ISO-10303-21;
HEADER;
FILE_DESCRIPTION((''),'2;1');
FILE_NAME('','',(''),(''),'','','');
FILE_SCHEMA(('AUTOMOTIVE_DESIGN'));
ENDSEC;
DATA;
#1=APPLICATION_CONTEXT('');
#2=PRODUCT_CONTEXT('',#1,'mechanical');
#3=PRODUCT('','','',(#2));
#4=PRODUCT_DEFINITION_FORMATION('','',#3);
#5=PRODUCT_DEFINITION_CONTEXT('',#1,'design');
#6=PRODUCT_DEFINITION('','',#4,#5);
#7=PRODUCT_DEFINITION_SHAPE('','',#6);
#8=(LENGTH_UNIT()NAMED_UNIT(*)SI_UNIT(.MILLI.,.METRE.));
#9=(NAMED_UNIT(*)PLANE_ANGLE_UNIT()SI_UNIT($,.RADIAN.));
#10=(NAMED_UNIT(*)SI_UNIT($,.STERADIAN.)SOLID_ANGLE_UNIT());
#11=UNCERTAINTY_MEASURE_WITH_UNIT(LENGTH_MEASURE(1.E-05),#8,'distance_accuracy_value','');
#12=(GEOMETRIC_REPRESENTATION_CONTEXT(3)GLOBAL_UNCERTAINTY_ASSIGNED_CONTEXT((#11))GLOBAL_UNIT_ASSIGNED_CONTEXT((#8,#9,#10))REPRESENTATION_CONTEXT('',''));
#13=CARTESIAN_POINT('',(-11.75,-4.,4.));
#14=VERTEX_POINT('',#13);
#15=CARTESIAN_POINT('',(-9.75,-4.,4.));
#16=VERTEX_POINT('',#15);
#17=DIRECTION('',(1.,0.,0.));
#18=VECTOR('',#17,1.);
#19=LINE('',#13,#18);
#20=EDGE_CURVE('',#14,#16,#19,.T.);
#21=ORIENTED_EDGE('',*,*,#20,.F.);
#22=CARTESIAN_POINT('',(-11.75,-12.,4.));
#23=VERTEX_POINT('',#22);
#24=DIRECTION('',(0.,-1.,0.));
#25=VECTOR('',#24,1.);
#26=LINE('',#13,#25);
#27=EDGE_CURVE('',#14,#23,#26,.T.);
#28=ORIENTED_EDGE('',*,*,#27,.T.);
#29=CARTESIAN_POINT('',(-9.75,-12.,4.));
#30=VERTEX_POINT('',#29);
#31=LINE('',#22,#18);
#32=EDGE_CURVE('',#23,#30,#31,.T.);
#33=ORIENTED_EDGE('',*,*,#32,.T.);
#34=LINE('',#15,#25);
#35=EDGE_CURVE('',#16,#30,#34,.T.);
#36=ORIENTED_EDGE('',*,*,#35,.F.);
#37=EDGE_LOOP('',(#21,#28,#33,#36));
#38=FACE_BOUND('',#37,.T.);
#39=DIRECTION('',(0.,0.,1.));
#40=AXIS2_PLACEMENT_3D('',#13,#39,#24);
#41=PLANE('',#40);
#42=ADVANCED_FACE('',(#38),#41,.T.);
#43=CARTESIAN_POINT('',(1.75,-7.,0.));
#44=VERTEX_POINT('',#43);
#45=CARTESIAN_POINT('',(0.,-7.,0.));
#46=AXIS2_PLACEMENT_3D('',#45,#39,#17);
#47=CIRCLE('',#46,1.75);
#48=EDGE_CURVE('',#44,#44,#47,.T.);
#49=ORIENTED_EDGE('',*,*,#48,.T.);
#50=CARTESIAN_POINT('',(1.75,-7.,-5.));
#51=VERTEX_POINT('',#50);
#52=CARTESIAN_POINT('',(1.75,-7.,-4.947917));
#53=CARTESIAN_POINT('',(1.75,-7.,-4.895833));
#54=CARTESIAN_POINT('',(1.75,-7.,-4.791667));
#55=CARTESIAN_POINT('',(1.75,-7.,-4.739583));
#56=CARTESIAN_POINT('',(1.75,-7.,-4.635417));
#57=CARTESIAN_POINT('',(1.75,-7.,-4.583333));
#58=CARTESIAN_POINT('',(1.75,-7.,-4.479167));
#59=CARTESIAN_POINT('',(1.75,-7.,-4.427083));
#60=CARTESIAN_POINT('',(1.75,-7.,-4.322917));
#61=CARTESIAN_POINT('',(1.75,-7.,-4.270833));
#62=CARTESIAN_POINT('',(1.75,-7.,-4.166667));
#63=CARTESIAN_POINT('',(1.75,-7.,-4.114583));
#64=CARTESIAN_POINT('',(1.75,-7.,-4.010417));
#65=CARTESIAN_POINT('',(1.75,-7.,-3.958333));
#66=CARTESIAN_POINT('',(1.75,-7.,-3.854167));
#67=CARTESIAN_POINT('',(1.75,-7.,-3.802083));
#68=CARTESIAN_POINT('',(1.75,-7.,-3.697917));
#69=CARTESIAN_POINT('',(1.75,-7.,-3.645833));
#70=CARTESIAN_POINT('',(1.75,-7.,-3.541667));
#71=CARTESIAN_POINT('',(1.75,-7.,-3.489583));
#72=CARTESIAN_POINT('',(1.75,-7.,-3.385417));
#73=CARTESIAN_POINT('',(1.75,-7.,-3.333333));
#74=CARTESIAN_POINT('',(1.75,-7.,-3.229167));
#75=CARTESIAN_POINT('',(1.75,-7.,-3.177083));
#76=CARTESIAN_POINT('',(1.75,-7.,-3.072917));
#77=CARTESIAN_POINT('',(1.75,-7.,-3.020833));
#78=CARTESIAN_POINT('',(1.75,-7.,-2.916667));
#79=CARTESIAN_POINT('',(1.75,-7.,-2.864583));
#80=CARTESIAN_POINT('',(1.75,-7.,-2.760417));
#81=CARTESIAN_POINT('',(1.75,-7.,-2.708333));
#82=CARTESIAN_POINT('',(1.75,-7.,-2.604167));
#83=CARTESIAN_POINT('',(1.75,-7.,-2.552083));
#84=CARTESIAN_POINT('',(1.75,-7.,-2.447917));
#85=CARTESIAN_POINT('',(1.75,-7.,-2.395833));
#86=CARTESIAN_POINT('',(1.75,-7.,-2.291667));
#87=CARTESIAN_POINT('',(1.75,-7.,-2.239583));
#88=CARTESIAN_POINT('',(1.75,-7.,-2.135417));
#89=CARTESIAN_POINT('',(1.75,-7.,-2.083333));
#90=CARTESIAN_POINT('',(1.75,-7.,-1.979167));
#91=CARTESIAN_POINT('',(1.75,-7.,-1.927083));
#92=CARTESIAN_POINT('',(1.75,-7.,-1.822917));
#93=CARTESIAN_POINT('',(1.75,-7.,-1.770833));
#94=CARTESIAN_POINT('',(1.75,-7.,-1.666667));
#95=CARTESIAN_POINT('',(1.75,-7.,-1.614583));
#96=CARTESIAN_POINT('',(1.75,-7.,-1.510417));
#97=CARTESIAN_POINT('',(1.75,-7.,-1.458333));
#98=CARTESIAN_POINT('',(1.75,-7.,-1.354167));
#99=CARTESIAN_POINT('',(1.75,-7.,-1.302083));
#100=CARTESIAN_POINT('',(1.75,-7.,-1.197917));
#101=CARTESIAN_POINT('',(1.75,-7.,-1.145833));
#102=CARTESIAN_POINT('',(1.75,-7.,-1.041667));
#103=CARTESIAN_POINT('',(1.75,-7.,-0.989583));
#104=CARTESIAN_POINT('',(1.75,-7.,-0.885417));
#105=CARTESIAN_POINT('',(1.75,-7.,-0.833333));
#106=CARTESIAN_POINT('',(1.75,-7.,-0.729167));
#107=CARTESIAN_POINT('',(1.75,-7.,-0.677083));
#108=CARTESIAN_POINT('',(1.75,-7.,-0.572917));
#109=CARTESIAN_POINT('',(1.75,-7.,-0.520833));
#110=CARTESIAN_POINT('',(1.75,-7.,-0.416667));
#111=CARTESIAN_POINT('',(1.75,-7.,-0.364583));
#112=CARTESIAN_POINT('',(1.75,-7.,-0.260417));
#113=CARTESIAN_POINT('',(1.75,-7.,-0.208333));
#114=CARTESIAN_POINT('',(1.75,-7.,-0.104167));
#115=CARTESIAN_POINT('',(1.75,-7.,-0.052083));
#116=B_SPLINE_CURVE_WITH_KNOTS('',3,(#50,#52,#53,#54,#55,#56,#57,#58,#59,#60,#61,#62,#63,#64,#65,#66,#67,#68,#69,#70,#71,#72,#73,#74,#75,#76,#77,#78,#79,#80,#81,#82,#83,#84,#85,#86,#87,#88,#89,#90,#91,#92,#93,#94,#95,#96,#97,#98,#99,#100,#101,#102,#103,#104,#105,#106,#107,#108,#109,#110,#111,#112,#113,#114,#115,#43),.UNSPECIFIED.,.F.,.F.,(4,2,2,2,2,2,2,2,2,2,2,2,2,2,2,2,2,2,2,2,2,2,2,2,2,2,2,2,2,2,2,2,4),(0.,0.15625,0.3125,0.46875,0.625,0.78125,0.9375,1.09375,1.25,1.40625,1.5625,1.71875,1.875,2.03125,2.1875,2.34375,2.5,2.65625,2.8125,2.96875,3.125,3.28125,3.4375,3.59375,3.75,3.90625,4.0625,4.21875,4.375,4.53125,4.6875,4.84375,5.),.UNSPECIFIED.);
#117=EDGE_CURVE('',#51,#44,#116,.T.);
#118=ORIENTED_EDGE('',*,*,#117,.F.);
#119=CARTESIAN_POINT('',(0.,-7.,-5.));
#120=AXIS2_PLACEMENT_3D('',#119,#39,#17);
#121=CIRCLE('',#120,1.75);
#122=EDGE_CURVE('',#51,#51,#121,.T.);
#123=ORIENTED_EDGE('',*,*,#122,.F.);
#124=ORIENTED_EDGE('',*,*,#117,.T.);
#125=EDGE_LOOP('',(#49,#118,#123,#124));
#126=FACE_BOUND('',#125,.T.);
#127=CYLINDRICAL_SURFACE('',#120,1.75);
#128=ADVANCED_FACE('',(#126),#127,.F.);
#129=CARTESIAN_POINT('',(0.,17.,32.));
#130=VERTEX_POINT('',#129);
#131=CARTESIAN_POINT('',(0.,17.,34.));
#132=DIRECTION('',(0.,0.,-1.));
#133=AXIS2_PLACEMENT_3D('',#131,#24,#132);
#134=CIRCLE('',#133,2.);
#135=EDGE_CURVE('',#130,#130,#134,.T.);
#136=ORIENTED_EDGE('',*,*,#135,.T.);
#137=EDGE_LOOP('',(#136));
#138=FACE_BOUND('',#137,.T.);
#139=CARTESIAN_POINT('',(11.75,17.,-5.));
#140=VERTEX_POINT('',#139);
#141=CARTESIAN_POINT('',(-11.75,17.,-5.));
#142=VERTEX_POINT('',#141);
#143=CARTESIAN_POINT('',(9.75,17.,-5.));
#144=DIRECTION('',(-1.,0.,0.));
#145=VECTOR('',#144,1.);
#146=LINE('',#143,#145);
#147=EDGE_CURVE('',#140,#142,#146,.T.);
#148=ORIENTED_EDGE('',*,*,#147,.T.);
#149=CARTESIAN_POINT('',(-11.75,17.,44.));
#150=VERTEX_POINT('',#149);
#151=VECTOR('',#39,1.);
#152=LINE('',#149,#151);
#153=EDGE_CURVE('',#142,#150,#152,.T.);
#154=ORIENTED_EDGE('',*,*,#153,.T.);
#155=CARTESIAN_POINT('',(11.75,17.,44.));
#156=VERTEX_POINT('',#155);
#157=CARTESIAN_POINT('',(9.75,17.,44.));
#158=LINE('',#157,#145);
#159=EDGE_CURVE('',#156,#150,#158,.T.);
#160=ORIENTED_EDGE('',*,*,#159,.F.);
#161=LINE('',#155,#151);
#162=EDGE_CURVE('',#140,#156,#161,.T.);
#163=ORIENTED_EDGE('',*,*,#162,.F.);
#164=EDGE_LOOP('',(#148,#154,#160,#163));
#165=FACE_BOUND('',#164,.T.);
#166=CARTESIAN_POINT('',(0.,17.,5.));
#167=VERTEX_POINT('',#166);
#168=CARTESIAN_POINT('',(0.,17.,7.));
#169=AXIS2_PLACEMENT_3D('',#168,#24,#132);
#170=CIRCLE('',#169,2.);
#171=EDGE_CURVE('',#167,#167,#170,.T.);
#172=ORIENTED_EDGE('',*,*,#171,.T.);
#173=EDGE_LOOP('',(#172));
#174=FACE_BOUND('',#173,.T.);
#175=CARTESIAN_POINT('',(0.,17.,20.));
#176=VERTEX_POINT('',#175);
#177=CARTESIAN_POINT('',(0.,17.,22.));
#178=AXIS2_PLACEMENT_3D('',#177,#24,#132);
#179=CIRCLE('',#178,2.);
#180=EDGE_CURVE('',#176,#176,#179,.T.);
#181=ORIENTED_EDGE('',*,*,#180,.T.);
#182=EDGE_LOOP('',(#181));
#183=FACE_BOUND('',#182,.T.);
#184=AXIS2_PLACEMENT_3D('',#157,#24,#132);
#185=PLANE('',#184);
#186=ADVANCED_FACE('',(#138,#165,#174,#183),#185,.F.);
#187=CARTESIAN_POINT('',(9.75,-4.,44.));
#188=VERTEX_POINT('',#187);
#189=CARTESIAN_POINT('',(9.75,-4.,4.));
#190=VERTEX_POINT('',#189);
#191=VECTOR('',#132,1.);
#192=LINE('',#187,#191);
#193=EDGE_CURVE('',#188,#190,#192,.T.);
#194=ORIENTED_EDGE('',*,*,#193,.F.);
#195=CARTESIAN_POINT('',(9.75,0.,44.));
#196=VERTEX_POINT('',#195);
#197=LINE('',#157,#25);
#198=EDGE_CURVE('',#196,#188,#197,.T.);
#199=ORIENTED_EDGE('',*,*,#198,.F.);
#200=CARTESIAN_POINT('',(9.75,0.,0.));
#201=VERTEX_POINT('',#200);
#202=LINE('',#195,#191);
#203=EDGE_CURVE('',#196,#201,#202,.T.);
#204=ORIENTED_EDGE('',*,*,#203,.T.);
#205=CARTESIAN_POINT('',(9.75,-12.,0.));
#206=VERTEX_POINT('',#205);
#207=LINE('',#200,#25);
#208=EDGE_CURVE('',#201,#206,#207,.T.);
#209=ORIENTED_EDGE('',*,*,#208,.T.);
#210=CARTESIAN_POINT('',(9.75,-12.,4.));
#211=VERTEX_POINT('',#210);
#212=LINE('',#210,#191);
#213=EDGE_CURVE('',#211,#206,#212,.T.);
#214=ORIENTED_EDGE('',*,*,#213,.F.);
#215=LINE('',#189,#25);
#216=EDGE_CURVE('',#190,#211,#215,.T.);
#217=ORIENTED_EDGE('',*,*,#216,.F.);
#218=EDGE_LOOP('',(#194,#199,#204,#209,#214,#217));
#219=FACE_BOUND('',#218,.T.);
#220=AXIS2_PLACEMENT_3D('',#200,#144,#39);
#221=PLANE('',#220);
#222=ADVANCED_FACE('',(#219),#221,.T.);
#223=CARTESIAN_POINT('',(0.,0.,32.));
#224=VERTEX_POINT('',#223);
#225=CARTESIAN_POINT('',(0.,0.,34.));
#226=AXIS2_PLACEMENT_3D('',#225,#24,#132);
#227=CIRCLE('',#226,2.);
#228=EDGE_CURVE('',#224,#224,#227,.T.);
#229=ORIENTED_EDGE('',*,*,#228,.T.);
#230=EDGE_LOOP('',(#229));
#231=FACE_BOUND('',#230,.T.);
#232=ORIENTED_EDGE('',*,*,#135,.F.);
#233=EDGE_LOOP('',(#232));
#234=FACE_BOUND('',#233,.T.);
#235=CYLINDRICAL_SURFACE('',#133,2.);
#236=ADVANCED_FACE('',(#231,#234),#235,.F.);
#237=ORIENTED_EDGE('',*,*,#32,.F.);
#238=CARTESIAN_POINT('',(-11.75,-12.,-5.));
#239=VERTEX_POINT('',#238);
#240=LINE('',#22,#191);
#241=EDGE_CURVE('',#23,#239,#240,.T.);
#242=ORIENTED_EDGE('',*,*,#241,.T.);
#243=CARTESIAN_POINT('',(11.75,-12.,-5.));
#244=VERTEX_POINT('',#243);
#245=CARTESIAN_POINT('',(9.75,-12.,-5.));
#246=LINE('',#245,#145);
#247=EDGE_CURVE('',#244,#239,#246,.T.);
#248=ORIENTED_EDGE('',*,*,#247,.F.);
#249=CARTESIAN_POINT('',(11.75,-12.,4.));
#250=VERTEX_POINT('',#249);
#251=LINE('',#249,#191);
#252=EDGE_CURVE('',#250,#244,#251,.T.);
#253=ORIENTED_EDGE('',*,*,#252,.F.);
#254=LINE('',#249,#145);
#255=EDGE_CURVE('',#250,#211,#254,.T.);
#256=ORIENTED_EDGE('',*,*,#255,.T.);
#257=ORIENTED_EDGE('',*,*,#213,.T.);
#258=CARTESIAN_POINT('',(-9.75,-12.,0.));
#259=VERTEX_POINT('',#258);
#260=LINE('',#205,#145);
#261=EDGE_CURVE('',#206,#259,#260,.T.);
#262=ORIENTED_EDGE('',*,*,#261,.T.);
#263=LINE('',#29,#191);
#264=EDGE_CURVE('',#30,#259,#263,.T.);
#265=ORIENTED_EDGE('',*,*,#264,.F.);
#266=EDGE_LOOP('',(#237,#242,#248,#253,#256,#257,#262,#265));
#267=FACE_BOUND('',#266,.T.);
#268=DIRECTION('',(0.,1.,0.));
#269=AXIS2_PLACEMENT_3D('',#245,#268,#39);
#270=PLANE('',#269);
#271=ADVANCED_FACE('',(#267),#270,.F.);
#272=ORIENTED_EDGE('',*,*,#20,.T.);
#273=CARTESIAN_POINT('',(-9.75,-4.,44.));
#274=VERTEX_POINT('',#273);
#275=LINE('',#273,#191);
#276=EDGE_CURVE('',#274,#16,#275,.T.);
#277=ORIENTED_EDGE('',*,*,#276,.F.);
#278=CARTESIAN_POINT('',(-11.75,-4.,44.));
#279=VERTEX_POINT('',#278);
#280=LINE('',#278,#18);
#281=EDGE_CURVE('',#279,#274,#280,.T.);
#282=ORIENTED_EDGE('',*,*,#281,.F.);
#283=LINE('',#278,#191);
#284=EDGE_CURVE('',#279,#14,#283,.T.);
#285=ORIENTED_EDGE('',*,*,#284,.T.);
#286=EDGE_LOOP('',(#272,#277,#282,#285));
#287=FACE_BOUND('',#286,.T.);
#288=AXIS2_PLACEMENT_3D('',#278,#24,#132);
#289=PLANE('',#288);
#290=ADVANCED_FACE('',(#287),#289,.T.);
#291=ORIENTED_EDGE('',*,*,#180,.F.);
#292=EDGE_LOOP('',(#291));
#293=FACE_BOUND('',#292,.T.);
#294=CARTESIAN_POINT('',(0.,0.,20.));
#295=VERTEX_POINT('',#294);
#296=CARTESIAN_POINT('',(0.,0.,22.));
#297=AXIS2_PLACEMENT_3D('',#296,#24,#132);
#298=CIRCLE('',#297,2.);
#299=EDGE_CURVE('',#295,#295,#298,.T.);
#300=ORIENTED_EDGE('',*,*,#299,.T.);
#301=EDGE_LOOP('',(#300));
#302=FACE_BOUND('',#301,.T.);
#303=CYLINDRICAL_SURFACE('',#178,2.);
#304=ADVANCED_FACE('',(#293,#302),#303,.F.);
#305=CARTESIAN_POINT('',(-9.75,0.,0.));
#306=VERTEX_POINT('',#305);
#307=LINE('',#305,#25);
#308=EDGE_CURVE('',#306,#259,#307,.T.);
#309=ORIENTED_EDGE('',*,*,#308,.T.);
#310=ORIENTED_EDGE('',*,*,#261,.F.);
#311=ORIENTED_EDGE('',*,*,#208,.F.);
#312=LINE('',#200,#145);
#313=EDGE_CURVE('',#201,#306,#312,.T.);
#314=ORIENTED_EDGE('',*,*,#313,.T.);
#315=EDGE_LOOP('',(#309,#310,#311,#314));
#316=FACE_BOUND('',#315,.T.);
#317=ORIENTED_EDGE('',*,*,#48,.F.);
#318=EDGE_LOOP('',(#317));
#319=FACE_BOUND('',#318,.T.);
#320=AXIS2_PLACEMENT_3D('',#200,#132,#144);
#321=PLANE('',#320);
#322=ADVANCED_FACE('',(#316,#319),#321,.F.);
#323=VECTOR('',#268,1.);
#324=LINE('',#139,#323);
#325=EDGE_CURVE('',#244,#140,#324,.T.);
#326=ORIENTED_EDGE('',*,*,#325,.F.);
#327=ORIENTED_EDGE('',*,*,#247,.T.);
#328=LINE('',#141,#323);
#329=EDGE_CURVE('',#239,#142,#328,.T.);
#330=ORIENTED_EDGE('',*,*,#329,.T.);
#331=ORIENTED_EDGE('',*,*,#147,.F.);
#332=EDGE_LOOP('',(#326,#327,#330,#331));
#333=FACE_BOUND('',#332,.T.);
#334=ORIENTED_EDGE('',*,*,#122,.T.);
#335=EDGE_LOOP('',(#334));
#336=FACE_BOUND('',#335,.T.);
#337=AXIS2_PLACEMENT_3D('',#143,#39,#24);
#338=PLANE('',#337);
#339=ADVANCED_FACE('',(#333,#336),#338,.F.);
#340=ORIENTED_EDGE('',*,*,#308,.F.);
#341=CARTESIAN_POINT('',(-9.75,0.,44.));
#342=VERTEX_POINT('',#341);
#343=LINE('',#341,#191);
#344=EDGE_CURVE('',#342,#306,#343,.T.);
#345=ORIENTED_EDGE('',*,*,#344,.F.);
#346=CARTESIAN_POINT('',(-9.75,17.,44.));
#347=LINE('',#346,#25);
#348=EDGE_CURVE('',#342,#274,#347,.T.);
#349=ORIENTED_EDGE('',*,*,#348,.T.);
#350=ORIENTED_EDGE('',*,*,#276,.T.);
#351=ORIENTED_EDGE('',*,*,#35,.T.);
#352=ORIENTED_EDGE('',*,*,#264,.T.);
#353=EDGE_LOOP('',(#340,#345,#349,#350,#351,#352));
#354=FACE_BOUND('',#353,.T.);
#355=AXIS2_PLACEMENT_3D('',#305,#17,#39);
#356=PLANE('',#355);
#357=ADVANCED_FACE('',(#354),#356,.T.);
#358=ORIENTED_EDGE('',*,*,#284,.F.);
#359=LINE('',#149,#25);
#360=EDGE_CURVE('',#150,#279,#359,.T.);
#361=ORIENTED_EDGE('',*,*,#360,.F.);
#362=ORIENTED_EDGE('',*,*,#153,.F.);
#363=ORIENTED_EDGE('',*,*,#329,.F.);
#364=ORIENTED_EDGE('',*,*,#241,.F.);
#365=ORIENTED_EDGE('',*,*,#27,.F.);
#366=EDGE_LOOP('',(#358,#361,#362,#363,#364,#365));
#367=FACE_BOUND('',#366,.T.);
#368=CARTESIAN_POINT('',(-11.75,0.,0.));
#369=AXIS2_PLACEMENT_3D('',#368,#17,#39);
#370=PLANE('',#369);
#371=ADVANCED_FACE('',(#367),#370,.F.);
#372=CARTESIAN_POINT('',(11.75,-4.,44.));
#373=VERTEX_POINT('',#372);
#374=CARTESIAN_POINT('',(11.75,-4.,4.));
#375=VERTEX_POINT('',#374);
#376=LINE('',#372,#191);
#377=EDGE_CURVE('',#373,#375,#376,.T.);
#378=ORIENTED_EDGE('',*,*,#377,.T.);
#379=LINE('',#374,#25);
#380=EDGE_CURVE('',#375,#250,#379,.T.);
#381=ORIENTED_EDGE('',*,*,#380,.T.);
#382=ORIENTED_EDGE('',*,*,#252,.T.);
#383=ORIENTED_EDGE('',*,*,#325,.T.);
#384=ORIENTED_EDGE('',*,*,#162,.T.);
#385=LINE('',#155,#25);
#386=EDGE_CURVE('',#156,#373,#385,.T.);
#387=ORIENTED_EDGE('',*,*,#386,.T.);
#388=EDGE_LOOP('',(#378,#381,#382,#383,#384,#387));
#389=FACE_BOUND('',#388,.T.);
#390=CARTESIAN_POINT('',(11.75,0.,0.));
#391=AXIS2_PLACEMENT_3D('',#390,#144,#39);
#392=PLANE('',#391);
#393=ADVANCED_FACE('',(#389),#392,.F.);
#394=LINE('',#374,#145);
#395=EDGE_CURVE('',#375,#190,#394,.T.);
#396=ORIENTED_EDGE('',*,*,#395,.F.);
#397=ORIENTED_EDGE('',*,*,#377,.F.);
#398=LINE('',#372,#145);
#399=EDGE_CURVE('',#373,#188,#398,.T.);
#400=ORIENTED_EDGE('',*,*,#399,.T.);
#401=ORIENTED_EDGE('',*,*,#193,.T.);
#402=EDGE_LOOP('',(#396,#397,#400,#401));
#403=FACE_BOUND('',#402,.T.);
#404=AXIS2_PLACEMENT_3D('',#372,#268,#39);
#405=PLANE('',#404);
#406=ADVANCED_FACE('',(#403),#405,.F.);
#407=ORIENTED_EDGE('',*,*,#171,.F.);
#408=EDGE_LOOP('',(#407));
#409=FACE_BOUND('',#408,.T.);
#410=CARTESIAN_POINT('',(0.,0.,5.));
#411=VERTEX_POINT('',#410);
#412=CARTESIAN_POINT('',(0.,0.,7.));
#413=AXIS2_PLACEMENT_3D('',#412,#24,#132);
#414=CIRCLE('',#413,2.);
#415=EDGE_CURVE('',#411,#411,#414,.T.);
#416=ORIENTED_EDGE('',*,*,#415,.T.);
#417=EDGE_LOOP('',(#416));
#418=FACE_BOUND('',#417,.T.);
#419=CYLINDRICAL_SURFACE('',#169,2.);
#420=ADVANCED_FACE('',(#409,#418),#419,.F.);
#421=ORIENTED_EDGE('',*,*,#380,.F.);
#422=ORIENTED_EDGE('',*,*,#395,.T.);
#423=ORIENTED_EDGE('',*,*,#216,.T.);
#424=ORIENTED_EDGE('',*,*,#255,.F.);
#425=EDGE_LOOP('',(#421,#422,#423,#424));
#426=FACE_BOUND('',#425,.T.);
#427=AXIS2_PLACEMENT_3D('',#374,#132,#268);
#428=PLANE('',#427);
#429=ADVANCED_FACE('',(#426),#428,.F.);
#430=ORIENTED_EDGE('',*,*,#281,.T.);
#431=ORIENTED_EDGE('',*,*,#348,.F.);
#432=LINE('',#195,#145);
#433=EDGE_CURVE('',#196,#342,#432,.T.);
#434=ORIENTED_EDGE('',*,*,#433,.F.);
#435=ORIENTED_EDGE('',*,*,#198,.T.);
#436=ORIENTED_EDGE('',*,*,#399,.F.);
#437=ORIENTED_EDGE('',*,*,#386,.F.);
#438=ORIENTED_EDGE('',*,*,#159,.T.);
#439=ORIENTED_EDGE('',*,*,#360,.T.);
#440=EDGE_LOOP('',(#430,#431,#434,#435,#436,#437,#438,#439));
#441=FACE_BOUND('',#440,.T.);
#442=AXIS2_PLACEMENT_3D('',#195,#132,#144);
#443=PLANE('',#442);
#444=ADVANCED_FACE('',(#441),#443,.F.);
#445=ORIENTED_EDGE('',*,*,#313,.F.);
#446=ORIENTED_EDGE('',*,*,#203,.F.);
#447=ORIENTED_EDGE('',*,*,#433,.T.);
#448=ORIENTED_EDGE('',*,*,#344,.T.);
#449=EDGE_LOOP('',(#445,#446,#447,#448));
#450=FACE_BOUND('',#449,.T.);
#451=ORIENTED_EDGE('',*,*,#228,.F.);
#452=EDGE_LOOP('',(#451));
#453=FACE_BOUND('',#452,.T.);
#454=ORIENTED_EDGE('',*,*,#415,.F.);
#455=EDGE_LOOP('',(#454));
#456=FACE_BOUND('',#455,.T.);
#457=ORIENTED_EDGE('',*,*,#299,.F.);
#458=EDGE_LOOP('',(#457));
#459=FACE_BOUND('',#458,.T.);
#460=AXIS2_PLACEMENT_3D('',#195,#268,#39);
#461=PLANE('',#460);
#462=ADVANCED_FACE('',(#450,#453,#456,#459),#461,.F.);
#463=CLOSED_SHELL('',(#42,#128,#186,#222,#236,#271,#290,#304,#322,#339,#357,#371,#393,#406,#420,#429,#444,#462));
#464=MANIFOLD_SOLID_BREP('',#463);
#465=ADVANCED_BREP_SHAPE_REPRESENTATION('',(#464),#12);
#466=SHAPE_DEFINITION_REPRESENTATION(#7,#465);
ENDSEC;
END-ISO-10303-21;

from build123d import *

# Parameters (mm, degrees)
BOSS_EXTRUDE1_DEPTH = 9.75
BOSS_EXTRUDE2_DEPTH = 2
SKETCH4_R           = 2
CUT_EXTRUDE1_DEPTH  = 49.611341269
SKETCH5_R           = 1.75
CUT_EXTRUDE2_DEPTH  = 49.611341269


with BuildPart() as part:
    # Sketch2 → Boss-Extrude1 (new, symmetric)
    with BuildSketch(Plane(origin=(0, 0, 0), x_dir=(0, 0, -1), z_dir=(1, 0, 0))):
        Polygon((-44, 0), (0, 0), (0, -12), (5, -12), (5, 17), (-44, 17), align=None)
    extrude(amount=BOSS_EXTRUDE1_DEPTH, both=True)

    # Sketch3 → Boss-Extrude2 (add)
    with BuildSketch(Plane(origin=(9.75, 0, 0), x_dir=(0, 0, -1), z_dir=(1, 0, 0))):
        Polygon((-44, 17), (-44, -4), (-4, -4), (-4, -12), (5, -12), (5, 17), align=None)
    boss_extrude2 = extrude(amount=BOSS_EXTRUDE2_DEPTH)

    # Mirror1: Boss-Extrude2 across plane
    add(boss_extrude2.mirror(Plane(origin=(0, 0, 0), x_dir=(0, 0, 1), z_dir=(1, 0, 0))))

    # Sketch4 → Cut-Extrude1 (cut, through all)
    with BuildSketch(Plane.XZ):
        with Locations(Location((0, 34, 0), (0, 0, 270))):
            Circle(SKETCH4_R)
        with Locations(Location((0, 22, 0), (0, 0, 270))):
            Circle(SKETCH4_R)
        with Locations(Location((0, 7, 0), (0, 0, 270))):
            Circle(SKETCH4_R)
    extrude(amount=-CUT_EXTRUDE1_DEPTH, mode=Mode.SUBTRACT)

    # Sketch5 → Cut-Extrude2 (cut, through all)
    with BuildSketch(Plane.XY):
        with Locations((0, -7)):
            Circle(SKETCH5_R)
    extrude(amount=-CUT_EXTRUDE2_DEPTH, mode=Mode.SUBTRACT)


solid = part.part
